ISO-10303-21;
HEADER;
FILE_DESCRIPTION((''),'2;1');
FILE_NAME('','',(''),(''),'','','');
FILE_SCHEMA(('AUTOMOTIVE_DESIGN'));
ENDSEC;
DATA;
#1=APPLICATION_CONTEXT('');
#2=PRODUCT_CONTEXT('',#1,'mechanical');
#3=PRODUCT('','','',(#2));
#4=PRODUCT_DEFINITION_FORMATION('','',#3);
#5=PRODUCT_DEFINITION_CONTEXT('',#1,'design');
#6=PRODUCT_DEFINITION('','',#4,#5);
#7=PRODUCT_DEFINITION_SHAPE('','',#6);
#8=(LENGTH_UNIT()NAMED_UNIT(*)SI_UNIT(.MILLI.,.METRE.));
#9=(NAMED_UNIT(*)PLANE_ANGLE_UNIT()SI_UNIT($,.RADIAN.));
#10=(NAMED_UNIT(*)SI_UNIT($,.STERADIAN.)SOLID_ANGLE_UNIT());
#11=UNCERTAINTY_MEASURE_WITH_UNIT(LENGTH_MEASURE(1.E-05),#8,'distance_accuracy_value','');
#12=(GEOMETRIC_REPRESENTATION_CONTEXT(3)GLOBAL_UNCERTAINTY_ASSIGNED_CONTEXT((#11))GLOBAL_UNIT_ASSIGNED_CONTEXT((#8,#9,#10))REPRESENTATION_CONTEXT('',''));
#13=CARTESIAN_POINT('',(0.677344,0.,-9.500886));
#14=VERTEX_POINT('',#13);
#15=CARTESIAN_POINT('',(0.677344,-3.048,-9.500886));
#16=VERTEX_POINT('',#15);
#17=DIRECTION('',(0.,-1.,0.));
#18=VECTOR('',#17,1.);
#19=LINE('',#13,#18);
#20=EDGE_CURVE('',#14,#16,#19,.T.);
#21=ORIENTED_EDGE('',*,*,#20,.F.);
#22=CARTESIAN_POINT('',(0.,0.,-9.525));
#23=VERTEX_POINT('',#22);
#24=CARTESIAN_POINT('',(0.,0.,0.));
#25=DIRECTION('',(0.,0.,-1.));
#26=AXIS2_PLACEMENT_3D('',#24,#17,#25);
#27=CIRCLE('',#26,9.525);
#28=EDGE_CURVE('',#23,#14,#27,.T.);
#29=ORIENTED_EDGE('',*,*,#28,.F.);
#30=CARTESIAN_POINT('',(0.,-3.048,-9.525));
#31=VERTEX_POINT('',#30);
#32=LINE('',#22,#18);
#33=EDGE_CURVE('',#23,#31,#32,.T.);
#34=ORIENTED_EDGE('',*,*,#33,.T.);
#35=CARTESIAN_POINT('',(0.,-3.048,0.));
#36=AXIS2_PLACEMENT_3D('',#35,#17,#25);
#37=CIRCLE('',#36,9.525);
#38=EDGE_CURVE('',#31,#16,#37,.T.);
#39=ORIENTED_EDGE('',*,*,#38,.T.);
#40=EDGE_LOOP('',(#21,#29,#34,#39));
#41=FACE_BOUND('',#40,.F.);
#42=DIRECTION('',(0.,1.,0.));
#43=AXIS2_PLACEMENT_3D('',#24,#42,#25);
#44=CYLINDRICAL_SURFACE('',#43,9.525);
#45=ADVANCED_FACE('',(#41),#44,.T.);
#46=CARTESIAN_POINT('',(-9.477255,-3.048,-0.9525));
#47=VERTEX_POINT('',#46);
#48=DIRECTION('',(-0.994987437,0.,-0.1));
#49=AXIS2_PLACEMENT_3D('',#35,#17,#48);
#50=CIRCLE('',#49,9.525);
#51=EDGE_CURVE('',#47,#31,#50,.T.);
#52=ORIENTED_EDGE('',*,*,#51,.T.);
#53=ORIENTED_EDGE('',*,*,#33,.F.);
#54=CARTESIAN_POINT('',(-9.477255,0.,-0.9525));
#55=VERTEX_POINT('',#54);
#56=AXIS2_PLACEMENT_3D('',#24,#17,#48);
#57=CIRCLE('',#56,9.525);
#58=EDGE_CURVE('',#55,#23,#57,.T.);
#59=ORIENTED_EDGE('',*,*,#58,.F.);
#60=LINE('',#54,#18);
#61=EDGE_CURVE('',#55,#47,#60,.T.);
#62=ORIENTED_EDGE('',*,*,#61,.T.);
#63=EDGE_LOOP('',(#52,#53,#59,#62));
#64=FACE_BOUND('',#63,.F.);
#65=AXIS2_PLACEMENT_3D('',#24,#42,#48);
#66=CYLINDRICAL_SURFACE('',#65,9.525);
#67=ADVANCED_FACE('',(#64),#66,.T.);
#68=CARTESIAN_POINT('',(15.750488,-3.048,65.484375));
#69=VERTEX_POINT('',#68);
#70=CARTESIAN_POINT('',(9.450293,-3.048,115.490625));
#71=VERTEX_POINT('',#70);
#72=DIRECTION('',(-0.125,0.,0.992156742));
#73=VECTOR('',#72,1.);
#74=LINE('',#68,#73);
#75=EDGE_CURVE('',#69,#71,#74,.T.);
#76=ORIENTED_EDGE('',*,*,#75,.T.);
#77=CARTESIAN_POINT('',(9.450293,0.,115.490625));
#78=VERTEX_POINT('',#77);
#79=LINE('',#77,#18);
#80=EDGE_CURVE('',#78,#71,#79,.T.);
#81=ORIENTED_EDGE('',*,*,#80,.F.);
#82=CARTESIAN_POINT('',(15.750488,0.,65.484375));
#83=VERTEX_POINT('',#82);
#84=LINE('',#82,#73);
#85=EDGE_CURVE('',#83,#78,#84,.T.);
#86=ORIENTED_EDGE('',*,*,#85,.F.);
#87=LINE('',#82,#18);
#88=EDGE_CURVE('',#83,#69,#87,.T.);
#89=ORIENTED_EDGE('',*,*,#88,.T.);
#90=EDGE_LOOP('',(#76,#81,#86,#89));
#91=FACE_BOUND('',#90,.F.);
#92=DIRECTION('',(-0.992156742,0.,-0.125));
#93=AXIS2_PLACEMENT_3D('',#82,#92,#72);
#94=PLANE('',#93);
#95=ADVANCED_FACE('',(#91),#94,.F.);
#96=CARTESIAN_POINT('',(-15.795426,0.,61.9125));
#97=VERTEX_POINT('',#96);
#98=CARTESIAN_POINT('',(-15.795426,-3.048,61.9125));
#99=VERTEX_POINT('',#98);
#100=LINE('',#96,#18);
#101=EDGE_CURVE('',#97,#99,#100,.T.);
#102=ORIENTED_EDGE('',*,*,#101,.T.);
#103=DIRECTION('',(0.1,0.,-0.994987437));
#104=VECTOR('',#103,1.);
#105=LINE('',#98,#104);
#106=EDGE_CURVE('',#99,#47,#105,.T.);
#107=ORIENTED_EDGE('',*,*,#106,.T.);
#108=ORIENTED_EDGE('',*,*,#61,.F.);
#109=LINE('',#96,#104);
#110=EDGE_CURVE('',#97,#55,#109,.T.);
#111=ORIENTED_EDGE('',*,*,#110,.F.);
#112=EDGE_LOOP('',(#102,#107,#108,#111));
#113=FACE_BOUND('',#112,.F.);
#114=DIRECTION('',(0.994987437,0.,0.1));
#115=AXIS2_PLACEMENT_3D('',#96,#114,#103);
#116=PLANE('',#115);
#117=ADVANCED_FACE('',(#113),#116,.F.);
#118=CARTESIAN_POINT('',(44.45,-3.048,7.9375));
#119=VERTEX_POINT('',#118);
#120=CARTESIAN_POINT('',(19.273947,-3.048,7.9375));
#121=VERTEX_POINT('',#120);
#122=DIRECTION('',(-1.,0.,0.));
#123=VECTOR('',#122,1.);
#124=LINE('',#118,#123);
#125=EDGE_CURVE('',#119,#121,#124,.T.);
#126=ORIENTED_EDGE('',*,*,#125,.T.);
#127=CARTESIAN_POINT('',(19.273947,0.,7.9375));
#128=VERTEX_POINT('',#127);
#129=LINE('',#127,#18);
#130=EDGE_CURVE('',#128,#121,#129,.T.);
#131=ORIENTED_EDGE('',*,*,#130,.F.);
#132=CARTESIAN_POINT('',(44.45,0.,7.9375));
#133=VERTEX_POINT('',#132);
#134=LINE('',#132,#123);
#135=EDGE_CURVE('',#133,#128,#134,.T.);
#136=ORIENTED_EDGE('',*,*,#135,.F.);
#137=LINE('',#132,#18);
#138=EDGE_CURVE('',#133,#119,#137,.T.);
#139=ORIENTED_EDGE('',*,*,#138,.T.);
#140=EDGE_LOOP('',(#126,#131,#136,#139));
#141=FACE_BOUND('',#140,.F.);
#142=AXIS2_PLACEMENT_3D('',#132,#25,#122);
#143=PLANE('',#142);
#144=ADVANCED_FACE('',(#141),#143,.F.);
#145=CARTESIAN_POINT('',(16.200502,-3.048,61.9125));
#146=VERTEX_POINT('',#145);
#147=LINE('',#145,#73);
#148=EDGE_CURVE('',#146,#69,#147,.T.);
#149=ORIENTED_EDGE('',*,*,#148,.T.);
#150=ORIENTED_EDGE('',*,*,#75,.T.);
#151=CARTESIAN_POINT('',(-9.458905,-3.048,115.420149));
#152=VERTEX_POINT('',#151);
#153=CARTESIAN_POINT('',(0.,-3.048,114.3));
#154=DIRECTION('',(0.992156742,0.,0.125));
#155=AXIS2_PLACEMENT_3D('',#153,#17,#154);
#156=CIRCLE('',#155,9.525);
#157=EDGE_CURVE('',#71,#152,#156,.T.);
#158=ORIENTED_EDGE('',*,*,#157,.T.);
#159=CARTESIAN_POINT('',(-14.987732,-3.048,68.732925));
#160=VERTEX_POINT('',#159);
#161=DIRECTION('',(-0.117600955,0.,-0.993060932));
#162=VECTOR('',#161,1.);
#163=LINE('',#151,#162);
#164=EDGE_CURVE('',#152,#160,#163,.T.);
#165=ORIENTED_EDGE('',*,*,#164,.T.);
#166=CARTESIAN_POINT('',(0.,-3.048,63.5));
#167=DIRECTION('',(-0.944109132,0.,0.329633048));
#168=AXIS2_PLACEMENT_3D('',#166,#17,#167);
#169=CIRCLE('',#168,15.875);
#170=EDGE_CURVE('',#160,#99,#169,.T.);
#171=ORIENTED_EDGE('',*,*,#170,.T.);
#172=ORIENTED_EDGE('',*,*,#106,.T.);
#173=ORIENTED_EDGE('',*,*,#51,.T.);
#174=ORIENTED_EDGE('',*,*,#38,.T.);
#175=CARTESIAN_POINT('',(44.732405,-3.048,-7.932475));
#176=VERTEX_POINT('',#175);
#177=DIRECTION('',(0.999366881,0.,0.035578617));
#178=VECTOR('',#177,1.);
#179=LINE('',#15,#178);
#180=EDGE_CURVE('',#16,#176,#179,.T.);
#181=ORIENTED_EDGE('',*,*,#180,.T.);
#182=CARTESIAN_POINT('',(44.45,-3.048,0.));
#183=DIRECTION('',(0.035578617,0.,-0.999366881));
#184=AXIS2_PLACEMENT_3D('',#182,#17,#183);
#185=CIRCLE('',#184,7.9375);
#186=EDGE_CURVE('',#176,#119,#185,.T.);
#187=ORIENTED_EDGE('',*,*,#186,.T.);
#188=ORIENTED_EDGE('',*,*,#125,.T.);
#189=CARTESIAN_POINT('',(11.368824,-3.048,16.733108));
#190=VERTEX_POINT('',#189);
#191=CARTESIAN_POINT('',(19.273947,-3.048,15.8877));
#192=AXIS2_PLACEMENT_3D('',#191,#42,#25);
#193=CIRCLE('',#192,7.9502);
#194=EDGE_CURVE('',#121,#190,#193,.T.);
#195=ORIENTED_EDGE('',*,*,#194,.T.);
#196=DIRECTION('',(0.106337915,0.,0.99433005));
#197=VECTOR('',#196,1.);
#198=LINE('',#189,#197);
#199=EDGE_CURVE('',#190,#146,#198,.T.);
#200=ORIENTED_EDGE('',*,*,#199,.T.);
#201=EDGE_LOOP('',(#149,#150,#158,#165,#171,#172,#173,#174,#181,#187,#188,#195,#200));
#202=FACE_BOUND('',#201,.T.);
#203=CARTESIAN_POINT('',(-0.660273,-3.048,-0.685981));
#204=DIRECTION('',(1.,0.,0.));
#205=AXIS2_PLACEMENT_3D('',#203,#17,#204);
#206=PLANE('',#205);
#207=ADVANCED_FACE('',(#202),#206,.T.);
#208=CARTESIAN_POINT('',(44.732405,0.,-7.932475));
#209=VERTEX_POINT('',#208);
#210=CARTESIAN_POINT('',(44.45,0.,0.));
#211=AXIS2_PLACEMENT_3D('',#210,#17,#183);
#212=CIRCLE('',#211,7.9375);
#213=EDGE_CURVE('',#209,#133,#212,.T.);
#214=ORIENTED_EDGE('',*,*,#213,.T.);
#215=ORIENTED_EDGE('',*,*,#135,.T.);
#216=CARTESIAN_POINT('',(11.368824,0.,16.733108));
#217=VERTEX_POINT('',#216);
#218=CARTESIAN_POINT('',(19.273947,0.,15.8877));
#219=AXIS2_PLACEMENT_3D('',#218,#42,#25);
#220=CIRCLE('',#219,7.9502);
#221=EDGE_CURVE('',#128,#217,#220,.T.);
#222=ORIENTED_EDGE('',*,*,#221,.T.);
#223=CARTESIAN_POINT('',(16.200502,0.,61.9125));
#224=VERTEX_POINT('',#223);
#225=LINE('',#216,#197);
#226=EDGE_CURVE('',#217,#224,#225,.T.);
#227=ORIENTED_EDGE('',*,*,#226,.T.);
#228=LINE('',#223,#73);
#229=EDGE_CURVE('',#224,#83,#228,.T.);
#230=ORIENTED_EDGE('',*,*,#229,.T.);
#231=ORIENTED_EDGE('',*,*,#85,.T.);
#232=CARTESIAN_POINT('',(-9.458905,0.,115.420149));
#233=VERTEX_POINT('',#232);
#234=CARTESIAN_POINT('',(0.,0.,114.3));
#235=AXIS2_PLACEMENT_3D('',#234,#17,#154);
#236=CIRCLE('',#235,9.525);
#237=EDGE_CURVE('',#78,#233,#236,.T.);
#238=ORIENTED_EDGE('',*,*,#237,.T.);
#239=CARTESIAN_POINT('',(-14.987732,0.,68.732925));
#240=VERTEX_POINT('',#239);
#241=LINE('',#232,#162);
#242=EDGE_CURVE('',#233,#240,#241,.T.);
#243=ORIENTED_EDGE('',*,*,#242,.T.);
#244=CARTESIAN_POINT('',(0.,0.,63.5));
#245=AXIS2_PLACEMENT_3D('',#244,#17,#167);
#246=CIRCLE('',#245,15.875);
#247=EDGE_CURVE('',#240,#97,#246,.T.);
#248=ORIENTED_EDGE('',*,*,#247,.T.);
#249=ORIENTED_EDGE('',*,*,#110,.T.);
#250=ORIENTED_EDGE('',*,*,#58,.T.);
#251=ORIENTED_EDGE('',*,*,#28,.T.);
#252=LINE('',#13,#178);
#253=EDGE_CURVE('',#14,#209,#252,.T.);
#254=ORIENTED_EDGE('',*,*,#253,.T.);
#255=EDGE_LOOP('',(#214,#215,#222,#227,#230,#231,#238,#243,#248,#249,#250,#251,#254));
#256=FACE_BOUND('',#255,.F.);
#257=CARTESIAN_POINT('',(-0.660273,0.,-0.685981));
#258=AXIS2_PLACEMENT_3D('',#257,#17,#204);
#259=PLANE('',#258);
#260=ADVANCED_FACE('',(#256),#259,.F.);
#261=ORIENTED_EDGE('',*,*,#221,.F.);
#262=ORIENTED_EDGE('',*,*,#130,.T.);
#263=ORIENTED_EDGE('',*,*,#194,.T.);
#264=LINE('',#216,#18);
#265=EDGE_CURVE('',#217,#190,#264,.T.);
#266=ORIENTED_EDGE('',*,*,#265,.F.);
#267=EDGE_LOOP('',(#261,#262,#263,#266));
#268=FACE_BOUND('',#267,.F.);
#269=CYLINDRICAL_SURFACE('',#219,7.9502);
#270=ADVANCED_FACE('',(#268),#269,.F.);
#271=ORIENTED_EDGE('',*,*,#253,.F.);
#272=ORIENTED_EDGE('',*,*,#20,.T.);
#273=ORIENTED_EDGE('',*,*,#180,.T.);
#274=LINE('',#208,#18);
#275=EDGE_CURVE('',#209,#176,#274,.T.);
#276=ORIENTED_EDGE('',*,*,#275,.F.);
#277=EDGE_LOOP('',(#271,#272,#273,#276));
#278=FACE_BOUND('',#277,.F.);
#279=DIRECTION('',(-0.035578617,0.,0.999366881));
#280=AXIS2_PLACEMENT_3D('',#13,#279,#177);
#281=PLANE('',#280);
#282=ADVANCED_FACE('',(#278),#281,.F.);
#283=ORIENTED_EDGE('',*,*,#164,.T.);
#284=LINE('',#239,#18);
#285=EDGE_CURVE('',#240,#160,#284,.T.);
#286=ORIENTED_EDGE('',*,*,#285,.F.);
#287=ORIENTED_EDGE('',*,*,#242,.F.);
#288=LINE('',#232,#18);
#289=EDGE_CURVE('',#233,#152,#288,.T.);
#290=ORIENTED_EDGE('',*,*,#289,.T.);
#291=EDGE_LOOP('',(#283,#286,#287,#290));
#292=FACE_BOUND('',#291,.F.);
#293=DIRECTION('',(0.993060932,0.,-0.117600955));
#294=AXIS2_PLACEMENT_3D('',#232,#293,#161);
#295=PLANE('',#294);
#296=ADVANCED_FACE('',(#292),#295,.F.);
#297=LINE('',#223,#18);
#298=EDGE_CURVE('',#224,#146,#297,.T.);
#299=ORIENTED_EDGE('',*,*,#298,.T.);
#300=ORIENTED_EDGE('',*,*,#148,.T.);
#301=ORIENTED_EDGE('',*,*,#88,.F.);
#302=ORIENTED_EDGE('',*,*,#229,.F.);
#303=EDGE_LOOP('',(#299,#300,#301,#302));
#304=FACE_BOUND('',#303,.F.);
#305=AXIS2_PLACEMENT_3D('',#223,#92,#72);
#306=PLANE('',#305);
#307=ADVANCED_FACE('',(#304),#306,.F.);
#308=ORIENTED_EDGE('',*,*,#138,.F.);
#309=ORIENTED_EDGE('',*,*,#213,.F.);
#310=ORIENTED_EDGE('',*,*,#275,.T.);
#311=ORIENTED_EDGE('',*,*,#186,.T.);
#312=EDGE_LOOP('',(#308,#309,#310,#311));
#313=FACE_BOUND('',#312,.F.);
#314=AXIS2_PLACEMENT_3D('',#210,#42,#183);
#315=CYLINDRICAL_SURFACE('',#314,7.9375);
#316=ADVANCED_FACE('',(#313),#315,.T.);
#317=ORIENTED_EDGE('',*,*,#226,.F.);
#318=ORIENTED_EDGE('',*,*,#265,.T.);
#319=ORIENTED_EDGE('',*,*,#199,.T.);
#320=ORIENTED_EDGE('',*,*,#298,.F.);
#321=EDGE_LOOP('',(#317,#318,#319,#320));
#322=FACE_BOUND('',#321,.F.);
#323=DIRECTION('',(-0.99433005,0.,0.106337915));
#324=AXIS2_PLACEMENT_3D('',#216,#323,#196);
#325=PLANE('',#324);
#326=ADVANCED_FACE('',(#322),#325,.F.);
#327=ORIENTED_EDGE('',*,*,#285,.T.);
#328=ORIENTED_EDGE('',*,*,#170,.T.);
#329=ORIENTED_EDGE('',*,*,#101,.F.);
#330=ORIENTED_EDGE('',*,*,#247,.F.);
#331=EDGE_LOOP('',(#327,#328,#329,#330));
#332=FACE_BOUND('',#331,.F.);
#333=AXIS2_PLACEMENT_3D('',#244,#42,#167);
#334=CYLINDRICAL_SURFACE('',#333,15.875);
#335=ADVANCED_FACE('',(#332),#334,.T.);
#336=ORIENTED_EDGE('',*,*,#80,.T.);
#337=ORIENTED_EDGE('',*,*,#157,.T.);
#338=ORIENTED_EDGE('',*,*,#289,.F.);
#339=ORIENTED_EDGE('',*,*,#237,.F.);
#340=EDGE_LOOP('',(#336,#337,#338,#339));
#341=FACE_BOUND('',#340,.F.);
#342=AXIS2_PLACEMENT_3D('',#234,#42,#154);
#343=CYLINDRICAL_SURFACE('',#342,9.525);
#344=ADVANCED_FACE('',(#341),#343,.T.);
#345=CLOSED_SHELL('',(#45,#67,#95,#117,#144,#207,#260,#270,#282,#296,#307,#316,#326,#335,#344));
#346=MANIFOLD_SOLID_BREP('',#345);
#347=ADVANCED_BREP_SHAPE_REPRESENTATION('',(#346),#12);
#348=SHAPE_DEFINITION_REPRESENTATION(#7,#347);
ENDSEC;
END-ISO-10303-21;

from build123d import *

# Parameters (mm, degrees)
F1_DEPTH = 3.048


with BuildPart() as f1:
    # F0 (on Front) → F1 (new body)
    with BuildSketch(Plane.XZ):
        with BuildLine():
            Line((9.525, 0), (0, 0))
            Line((0, 0), (0, 9.525))
            ThreePointArc((0, 9.525), (-7.063929059, 6.3895642457), (-9.4772553384, -0.9525))
            ThreePointArc((-9.4772553384, -0.9525), (-6.3895642457, -7.063929059), (0, -9.525))
            Line((0, -9.525), (0.6773435479, -9.500885786))
            ThreePointArc((0.6773435479, -9.500885786), (6.9705567315, -6.4912990883), (9.525, 0))
        make_face()
        with BuildLine():
            ThreePointArc((-9.4772553384, -0.9525), (-7.063929059, 6.3895642457), (0, 9.525))
            Line((0, 9.525), (0, 47.625))
            ThreePointArc((0, 47.625), (-10.6492737428, 51.7267849017), (-15.7954255641, 61.9125))
            Line((-15.7954255641, 61.9125), (-9.4772553384, -0.9525))
        make_face()
        with BuildLine():
            Line((0, 47.625), (0, 9.525))
            ThreePointArc((0, 9.525), (6.7351920908, 6.7351920908), (9.525, 0))
            Line((9.525, 0), (36.5125, 0))
            ThreePointArc((36.5125, 0), (38.8373399243, 5.6126600757), (44.45, 7.9375))
            Line((44.45, 7.9375), (19.2739472197, 7.9375))
            ThreePointArc((19.2739472197, 7.9375), (13.3609598068, 10.5733552714), (11.3688244585, 16.7331076944))
            Line((11.3688244585, 16.7331076944), (16.2005022244, 61.9125))
            Line((16.2005022244, 61.9125), (15.7504882915, 65.4843748585))
            ThreePointArc((15.7504882915, 65.4843748585), (15.8438414948, 64.4941386655), (15.875, 63.5))
            ThreePointArc((15.875, 63.5), (11.2253201513, 52.2746798487), (0, 47.625))
        make_face()
        with BuildLine():
            Line((36.5125, 0), (9.525, 0))
            ThreePointArc((9.525, 0), (6.9705567315, -6.4912990883), (0.6773435479, -9.500885786))
            Line((0.6773435479, -9.500885786), (44.7324052746, -7.9324746146))
            ThreePointArc((44.7324052746, -7.9324746146), (38.9380895153, -5.7116327839), (36.5125, 0))
        make_face()
        with BuildLine():
            ThreePointArc((-15.7954255641, 61.9125), (-10.6492737428, 51.7267849017), (0, 47.625))
            Line((0, 47.625), (0, 79.375))
            ThreePointArc((0, 79.375), (-9.1908363712, 76.4438847259), (-14.9877324754, 68.7329246359))
            Line((-14.9877324754, 68.7329246359), (-15.7954255641, 61.9125))
        make_face()
        with BuildLine():
            Line((0, 79.375), (0, 47.625))
            ThreePointArc((0, 47.625), (11.2253201513, 52.2746798487), (15.875, 63.5))
            ThreePointArc((15.875, 63.5), (15.8438414948, 64.4941386655), (15.7504882915, 65.4843748585))
            ThreePointArc((15.7504882915, 65.4843748585), (10.5003255693, 75.4062499528), (0, 79.375))
        make_face()
        with BuildLine():
            ThreePointArc((44.45, 7.9375), (38.8373399243, 5.6126600757), (36.5125, 0))
            ThreePointArc((36.5125, 0), (38.9380895153, -5.7116327839), (44.7324052746, -7.9324746146))
            ThreePointArc((44.7324052746, -7.9324746146), (50.1616327839, -5.5119104847), (52.3875, 0))
            ThreePointArc((52.3875, 0), (50.0626600757, 5.6126600757), (44.45, 7.9375))
        make_face()
        with BuildLine():
            ThreePointArc((0, -9.525), (0.3388863295, -9.5189695375), (0.6773435479, -9.500885786))
            Line((0.6773435479, -9.500885786), (0, -9.525))
        make_face()
        with BuildLine():
            ThreePointArc((-14.9877324754, 68.7329246359), (-9.1908363712, 76.4438847259), (0, 79.375))
            Line((0, 79.375), (0, 104.775))
            ThreePointArc((0, 104.775), (-7.1202192788, 107.9732233782), (-9.4589053806, 115.4201490977))
            Line((-9.4589053806, 115.4201490977), (-14.9877324754, 68.7329246359))
        make_face()
        with BuildLine():
            Line((0, 104.775), (0, 79.375))
            ThreePointArc((0, 79.375), (10.5003255693, 75.4062499528), (15.7504882915, 65.4843748585))
            Line((15.7504882915, 65.4843748585), (9.4502929642, 115.490625))
            ThreePointArc((9.4502929642, 115.490625), (9.5063048942, 114.896483242), (9.525, 114.3))
            ThreePointArc((9.525, 114.3), (6.7351920908, 107.5648079092), (0, 104.775))
        make_face()
        with BuildLine():
            ThreePointArc((-14.9877324754, 68.7329246359), (-15.764842301, 65.3669151629), (-15.7954255641, 61.9125))
            Line((-15.7954255641, 61.9125), (-14.9877324754, 68.7329246359))
        make_face()
        with BuildLine():
            ThreePointArc((-9.4589053806, 115.4201490977), (-7.1202192788, 107.9732233782), (0, 104.775))
            ThreePointArc((0, 104.775), (6.7351920908, 107.5648079092), (9.525, 114.3))
            ThreePointArc((9.525, 114.3), (9.5063048942, 114.896483242), (9.4502929642, 115.490625))
            ThreePointArc((9.4502929642, 115.490625), (-0.0355000934, 123.8249338446), (-9.4589053806, 115.4201490977))
        make_face()
        with BuildLine():
            Line((0, 9.525), (0, 0))
            Line((0, 0), (9.525, 0))
            ThreePointArc((9.525, 0), (6.7351920908, 6.7351920908), (0, 9.525))
        make_face()
    extrude(amount=F1_DEPTH)


solid = f1.part
